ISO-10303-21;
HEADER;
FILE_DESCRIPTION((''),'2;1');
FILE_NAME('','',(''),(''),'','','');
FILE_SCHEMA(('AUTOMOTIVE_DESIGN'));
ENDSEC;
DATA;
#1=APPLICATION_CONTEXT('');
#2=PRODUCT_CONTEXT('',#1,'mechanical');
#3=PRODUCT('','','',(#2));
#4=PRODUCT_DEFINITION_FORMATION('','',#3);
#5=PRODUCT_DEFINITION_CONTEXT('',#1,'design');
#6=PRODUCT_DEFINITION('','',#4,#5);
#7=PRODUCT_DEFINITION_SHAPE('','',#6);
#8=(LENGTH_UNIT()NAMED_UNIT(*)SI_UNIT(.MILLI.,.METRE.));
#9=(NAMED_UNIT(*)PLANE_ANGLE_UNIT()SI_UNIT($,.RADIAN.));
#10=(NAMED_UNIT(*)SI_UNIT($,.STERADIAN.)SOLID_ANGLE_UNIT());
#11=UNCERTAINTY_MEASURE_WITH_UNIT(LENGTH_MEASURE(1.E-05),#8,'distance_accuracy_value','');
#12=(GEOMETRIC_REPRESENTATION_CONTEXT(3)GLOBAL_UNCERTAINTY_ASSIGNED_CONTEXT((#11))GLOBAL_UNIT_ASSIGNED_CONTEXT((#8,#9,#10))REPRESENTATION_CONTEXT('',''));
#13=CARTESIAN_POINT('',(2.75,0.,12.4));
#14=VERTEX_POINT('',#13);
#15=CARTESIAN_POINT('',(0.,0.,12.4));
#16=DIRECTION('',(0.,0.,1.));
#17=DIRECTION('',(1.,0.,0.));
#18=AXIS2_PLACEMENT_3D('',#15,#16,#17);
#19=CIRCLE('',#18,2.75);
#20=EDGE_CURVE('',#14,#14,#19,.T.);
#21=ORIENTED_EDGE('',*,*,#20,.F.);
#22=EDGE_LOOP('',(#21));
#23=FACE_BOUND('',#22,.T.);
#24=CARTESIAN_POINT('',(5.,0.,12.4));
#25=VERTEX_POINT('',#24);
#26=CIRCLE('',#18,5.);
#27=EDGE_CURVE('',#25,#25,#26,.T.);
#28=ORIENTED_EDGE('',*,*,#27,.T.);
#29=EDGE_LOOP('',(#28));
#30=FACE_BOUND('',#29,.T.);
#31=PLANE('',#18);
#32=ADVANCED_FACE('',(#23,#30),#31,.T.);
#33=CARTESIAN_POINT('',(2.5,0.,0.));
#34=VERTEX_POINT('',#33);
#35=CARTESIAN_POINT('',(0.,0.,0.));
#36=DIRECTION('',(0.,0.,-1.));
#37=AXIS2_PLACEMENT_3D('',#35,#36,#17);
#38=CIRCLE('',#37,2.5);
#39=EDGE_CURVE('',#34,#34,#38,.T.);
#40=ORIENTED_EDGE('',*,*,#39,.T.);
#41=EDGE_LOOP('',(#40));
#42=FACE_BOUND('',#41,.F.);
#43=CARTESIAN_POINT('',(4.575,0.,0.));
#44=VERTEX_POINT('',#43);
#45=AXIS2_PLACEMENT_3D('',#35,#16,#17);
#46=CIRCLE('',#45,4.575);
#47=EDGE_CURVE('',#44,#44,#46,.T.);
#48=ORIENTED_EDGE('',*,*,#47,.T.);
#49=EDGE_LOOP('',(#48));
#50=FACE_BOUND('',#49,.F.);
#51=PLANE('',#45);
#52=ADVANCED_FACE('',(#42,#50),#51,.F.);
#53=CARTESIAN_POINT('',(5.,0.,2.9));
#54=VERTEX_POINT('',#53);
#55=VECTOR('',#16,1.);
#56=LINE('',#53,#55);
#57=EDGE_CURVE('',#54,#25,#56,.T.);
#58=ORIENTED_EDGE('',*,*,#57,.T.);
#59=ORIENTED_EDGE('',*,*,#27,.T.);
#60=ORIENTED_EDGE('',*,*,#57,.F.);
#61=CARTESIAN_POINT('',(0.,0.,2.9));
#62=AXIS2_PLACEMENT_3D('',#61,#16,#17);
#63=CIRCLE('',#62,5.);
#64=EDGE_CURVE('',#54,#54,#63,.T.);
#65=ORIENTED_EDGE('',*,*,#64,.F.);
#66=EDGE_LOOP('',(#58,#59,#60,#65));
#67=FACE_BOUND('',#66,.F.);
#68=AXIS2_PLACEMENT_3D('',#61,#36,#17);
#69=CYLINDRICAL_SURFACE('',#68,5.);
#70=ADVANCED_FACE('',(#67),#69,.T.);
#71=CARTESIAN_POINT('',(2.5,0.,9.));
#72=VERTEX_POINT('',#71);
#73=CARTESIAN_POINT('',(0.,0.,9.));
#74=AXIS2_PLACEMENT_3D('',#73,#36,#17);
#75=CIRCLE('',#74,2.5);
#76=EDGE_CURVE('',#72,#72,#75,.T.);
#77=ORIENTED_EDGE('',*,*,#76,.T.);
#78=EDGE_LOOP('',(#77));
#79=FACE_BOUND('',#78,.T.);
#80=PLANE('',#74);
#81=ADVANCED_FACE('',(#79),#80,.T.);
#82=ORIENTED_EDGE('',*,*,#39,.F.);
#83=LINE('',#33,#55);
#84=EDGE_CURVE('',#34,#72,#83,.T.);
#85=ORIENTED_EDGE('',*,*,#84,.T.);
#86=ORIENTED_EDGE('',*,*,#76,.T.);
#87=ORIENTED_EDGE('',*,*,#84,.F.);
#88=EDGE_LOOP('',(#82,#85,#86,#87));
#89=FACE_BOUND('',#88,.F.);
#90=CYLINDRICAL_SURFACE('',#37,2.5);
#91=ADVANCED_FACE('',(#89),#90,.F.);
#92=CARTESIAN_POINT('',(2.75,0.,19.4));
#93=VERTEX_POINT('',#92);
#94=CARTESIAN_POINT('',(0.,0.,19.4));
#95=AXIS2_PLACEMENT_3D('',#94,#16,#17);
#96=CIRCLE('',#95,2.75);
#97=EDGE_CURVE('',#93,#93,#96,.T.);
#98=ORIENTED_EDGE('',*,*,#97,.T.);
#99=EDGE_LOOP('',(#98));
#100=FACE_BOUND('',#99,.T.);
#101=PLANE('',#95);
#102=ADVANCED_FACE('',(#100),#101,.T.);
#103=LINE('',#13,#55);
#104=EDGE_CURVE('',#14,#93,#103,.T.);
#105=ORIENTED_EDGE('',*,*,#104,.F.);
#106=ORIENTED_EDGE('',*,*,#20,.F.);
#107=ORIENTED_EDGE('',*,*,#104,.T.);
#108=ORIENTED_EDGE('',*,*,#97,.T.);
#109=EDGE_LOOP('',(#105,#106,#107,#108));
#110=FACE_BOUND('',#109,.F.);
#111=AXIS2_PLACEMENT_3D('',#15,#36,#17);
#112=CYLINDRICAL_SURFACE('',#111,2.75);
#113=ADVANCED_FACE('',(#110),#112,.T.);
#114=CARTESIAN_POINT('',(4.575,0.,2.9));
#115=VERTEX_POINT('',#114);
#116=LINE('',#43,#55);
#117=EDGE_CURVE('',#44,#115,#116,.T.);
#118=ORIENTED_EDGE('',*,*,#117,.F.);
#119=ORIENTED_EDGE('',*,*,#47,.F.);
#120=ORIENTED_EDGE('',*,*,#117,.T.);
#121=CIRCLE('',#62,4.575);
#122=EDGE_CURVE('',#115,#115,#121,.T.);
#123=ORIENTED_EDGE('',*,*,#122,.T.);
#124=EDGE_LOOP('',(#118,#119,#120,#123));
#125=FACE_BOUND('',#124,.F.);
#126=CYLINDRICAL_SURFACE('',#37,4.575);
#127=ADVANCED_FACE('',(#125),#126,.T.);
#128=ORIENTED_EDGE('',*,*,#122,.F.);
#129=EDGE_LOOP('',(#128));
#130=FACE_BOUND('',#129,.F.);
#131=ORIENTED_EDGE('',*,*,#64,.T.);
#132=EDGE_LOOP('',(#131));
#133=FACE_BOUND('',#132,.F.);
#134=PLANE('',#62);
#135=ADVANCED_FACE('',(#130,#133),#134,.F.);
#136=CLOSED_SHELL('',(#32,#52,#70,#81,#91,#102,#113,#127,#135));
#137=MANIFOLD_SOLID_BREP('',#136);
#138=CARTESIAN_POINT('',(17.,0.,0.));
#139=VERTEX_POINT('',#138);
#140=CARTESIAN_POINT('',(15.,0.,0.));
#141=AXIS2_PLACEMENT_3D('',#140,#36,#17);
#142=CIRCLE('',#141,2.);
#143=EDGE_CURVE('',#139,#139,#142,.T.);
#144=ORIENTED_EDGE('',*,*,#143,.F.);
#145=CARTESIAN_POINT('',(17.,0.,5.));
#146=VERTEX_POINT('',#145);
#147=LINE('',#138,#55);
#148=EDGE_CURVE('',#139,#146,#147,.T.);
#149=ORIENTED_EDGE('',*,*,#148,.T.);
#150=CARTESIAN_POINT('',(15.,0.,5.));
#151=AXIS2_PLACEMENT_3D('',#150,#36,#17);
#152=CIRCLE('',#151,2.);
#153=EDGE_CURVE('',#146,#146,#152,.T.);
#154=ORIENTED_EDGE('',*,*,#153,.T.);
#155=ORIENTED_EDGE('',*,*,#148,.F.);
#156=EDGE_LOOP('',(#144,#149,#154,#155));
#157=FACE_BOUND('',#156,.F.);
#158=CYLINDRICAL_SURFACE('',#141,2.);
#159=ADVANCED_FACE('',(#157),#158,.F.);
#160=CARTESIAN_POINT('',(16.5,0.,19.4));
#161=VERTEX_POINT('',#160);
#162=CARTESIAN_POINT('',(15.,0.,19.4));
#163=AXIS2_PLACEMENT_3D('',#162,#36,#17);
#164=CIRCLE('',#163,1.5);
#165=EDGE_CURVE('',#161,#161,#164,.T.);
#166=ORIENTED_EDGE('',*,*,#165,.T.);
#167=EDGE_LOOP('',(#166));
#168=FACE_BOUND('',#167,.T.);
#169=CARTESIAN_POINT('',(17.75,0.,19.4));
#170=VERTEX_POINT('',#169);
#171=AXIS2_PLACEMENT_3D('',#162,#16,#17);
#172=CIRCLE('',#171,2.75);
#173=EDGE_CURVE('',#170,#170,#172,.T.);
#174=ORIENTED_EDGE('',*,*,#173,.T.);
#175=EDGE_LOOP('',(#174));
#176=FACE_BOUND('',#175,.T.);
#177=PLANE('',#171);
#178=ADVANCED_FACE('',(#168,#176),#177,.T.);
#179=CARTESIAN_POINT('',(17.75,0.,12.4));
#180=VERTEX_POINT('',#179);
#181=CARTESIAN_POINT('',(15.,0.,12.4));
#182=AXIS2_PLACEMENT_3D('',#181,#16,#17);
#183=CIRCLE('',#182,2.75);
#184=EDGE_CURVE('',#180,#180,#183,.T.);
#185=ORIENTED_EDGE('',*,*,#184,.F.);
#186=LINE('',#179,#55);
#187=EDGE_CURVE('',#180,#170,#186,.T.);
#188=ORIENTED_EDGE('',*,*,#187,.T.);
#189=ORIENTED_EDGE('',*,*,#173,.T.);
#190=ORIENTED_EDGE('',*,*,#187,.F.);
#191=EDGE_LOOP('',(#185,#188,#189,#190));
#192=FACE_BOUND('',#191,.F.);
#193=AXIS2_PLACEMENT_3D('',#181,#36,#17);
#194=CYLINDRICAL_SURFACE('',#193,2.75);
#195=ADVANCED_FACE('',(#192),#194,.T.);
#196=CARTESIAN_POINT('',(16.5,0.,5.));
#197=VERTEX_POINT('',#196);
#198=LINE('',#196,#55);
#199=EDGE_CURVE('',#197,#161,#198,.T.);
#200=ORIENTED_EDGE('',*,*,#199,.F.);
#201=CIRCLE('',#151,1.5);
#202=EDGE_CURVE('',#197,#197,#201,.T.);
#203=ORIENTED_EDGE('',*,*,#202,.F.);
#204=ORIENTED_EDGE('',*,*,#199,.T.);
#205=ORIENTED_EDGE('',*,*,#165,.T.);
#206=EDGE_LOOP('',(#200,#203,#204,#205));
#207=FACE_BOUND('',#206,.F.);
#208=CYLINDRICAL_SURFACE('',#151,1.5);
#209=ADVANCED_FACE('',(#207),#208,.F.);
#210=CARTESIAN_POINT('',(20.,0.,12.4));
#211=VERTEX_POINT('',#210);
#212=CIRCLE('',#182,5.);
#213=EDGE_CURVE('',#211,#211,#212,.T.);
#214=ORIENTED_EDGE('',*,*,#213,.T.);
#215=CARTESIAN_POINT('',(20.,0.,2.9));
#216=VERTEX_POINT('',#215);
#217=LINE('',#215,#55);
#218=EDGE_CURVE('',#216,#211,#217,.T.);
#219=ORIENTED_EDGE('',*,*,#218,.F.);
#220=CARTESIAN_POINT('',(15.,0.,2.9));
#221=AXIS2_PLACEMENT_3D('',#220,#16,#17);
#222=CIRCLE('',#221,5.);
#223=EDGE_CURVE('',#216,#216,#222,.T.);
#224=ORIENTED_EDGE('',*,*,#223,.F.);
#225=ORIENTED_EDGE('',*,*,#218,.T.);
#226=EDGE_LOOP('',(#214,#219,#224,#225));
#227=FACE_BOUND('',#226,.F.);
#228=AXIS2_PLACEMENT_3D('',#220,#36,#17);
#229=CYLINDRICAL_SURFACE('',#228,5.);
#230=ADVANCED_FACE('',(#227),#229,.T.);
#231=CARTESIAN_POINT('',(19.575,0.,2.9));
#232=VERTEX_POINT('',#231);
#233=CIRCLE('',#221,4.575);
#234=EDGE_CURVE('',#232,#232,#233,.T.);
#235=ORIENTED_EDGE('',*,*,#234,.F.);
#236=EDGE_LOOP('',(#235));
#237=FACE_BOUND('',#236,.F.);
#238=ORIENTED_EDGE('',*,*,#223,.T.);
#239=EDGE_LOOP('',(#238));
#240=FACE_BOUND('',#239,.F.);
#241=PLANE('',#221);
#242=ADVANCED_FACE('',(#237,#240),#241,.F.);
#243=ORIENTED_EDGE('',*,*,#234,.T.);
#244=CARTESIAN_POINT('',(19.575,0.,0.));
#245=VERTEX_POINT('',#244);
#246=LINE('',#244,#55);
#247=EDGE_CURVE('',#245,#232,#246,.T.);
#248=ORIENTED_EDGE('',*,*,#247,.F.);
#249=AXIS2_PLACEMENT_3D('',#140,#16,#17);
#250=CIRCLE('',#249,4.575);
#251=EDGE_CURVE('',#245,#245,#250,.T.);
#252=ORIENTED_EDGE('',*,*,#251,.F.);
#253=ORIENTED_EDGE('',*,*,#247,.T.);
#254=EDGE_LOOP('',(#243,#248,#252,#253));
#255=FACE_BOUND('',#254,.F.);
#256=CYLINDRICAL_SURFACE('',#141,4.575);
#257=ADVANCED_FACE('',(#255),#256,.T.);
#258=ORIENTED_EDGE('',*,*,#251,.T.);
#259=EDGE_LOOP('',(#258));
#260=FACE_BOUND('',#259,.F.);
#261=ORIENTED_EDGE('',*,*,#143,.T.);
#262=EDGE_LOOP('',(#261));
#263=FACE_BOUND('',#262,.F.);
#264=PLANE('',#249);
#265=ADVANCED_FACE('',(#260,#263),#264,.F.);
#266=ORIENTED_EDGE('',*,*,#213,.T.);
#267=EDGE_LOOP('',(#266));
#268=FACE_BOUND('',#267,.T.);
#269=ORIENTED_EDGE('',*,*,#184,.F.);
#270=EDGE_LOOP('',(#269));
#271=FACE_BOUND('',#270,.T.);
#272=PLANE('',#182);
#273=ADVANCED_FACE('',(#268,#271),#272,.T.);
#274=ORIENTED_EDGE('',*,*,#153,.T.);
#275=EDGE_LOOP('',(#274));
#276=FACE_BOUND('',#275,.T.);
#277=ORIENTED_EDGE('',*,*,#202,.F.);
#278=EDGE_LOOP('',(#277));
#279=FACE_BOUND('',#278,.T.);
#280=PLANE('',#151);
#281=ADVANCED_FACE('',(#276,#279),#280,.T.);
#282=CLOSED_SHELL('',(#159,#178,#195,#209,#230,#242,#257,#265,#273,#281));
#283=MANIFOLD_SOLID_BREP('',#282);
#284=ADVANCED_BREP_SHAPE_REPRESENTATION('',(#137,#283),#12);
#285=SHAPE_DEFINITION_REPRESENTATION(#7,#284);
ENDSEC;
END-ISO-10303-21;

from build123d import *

# Parameters (mm, degrees)
SKETCH_R        = 4.575
PAD_DEPTH       = 2.9
SKETCH001_R     = 5
PAD001_DEPTH    = 9.5
SKETCH002_R     = 2.75
PAD002_DEPTH    = 7
SKETCH003_R     = 2.5
POCKET_DEPTH    = 9
SKETCH004_R     = 4.575
PAD003_DEPTH    = 2.9
SKETCH005_R     = 5
PAD004_DEPTH    = 9.5
SKETCH006_R     = 2.75
PAD005_DEPTH    = 7
SKETCH007_R     = 2
POCKET001_DEPTH = 5
SKETCH008_R     = 1.5
POCKET002_DEPTH = 14.401


with BuildPart() as glass_side:
    # Sketch → Pad (new body)
    with BuildSketch(Plane.XY):
        Circle(SKETCH_R)
    extrude(amount=PAD_DEPTH)

    # Sketch001 (on Face3 of Pad) → Pad001 (join)
    with BuildSketch(Plane.XY.offset(2.9)):
        Circle(SKETCH001_R)
    extrude(amount=PAD001_DEPTH)

    # Sketch002 (on Face3 of Pad001) → Pad002 (join)
    with BuildSketch(Plane.XY.offset(12.4)):
        Circle(SKETCH002_R)
    extrude(amount=PAD002_DEPTH)

    # Sketch003 (on Face6 of Pad002) → Pocket (cut)
    with BuildSketch(Plane(origin=(0, 0, 0), x_dir=(1, 0, 0), z_dir=(0, 0, -1))):
        Circle(SKETCH003_R)
    extrude(amount=-POCKET_DEPTH, mode=Mode.SUBTRACT)


with BuildPart() as metal_side:
    # Sketch004 → Pad003 (new body)
    with BuildSketch(Plane.XY):
        with Locations((15, 0)):
            Circle(SKETCH004_R)
    extrude(amount=PAD003_DEPTH)

    # Sketch005 (on Face3 of Pad003) → Pad004 (join)
    with BuildSketch(Plane.XY.offset(2.9)):
        with Locations((15, 0)):
            Circle(SKETCH005_R)
    extrude(amount=PAD004_DEPTH)

    # Sketch006 (on Face3 of Pad004) → Pad005 (join)
    with BuildSketch(Plane.XY.offset(12.4)):
        with Locations((15, 0)):
            Circle(SKETCH006_R)
    extrude(amount=PAD005_DEPTH)

    # Sketch007 (on Face6 of Pad005) → Pocket001 (cut)
    with BuildSketch(Plane(origin=(0, 0, 0), x_dir=(1, 0, 0), z_dir=(0, 0, -1))):
        with Locations((15, 0)):
            Circle(SKETCH007_R)
    extrude(amount=-POCKET001_DEPTH, mode=Mode.SUBTRACT)

    # Sketch008 (on Face9 of Pocket001) → Pocket002 (cut, through all)
    with BuildSketch(Plane(origin=(0, 0, 5), x_dir=(1, 0, 0), z_dir=(0, 0, -1))):
        with Locations((15, 0)):
            Circle(SKETCH008_R)
    extrude(amount=-POCKET002_DEPTH, mode=Mode.SUBTRACT)


solid = Compound([glass_side.part, metal_side.part])
